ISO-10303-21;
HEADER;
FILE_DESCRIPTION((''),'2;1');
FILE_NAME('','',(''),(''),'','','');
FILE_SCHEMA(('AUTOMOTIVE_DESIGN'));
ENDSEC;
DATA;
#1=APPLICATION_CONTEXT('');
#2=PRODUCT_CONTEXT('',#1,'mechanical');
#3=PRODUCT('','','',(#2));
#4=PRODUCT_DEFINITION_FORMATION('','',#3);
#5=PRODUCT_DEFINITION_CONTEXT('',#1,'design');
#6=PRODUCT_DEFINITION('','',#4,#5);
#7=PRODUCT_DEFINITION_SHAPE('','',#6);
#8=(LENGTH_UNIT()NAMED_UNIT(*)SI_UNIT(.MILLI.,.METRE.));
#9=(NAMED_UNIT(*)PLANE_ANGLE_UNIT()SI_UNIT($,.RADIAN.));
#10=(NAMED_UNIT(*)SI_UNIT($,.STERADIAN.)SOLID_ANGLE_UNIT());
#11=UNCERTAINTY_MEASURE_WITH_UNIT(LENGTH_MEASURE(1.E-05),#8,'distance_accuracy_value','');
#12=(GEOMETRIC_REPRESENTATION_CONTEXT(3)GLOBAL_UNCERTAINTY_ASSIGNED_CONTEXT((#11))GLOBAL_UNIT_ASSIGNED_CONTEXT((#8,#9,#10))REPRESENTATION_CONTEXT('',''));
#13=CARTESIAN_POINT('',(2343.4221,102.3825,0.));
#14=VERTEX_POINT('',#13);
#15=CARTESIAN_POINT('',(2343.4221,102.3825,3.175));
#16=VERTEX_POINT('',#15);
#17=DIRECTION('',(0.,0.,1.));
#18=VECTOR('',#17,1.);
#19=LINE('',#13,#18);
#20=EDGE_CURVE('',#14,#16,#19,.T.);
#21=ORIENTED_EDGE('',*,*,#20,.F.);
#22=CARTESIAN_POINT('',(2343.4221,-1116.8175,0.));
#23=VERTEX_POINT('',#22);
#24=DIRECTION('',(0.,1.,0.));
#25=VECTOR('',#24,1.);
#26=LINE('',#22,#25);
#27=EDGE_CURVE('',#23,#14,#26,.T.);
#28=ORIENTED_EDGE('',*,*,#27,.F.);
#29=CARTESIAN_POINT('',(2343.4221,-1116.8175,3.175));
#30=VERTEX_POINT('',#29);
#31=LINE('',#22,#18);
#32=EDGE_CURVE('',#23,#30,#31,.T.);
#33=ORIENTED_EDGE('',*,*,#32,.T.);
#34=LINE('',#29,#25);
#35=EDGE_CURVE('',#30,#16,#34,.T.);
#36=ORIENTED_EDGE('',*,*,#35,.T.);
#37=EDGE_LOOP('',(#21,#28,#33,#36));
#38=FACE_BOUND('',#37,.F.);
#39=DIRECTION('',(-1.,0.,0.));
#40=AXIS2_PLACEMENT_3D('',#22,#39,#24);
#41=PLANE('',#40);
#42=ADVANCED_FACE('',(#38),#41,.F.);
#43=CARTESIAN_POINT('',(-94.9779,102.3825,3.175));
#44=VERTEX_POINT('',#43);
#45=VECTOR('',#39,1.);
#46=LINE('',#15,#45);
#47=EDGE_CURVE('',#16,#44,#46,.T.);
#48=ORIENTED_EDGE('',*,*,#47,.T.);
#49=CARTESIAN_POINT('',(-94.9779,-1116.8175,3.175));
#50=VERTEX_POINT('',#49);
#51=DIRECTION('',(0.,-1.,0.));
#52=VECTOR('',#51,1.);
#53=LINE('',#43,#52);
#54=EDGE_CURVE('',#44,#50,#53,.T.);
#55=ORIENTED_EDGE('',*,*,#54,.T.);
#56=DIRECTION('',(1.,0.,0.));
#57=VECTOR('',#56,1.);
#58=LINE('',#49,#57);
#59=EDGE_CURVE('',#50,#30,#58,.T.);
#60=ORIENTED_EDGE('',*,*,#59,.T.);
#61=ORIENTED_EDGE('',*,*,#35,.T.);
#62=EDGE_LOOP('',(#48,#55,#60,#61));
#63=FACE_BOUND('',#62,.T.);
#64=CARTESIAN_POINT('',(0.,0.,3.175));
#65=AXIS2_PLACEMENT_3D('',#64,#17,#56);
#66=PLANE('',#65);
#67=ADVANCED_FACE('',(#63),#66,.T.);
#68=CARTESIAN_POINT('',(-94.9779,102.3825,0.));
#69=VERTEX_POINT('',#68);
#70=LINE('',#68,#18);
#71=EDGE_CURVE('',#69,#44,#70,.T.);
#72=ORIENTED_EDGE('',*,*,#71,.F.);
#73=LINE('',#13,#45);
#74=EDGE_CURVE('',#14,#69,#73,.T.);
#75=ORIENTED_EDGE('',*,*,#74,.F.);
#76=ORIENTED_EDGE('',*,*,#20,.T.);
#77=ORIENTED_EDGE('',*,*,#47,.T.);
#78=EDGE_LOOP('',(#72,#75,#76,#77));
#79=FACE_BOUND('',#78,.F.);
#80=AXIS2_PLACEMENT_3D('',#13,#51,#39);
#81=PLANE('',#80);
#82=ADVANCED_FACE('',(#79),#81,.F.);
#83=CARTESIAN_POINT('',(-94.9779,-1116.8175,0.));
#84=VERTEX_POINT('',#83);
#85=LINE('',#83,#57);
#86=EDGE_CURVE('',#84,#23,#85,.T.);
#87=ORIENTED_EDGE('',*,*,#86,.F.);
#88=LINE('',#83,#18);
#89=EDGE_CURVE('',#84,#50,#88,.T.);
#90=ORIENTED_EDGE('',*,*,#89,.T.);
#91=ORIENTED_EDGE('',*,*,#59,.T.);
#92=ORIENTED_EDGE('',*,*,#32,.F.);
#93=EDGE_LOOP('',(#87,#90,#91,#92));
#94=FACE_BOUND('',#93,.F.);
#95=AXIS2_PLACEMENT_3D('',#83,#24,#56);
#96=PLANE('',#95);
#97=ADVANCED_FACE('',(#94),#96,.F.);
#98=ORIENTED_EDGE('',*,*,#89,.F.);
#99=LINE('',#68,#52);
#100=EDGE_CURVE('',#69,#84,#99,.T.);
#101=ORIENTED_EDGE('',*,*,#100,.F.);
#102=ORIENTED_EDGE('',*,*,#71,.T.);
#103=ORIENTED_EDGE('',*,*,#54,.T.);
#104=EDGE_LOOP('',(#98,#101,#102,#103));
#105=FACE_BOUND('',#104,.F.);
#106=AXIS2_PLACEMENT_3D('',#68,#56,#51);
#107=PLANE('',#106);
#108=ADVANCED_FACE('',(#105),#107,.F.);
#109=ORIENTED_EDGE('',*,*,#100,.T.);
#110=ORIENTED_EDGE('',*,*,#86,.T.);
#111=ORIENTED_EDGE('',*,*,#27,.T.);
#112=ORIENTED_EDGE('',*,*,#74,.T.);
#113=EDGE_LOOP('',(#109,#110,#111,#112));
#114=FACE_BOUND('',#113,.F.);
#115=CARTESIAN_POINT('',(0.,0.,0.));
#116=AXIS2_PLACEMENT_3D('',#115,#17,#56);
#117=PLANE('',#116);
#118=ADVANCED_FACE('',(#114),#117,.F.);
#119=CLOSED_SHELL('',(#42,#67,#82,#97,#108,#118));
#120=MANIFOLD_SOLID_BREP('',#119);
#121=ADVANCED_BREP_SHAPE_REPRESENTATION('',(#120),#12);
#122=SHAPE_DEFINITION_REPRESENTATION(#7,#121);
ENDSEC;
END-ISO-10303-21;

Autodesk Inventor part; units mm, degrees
ref_plane "YZ Plane" through (0, 0, 0) normal (1, 0, 0) x (0, 1, 0)
ref_plane "XZ Plane" through (0, 0, 0) normal (0, 1, 0) x (-1, 0, 0)
ref_plane "XY Plane" through (0, 0, 0) normal (0, 0, 1) x (1, 0, 0)
sketch "Sketch1" plane through (0, 0, 0) normal (0, 0, 1) x (1, 0, 0)
  line L0 (2343.4221, -1116.8175) -> (2343.4221, 102.3825) projected
  line L1 (2343.4221, 102.3825) -> (-94.9779, 102.3825) projected
  line L2 (-94.9779, 102.3825) -> (-94.9779, -1116.8175) projected
  line L3 (-94.9779, -1116.8175) -> (2343.4221, -1116.8175) projected
  point P0 (0, 0)
extrude "Extrusion1" add sketch "Sketch1" along normal blind 3.175
sketch "Sketch2" plane through (0, 0, 3.175) normal (0, 0, 1) x (1, 0, 0)
  line L0 (784.3557, -437.9923) -> (1190.7557, -437.9923) projected
  line L1 (784.3557, -434.8173) -> (1190.7557, -434.8173) projected
  line L2 (784.3557, -511.0173) -> (1190.7557, -511.0173) projected
  line L3 (784.3557, -507.8423) -> (1190.7557, -507.8423) projected
  line L4 (784.3553, -433.5473) -> (1190.7561, -433.5473)
  line L5 (785.9428, -439.2623) -> (1192.3436, -439.2623)
  circle A0 centre (784.3553, -436.4048) radius 2.8575
  point P0 (0, 0)
  dimension "d2" = 1.27
  dimension "d3" = 1.27
  dimension "d4" = 5.715
  dimension "d5" = 5.715
  dimension "d6" = 0
  dimension "d7" = 2.8575
equation "\"d3\" = d2"
equation "\"d4\" = d5"
equation "\"d7\" = 0.5 * d5"
properties part number "metal jig"
